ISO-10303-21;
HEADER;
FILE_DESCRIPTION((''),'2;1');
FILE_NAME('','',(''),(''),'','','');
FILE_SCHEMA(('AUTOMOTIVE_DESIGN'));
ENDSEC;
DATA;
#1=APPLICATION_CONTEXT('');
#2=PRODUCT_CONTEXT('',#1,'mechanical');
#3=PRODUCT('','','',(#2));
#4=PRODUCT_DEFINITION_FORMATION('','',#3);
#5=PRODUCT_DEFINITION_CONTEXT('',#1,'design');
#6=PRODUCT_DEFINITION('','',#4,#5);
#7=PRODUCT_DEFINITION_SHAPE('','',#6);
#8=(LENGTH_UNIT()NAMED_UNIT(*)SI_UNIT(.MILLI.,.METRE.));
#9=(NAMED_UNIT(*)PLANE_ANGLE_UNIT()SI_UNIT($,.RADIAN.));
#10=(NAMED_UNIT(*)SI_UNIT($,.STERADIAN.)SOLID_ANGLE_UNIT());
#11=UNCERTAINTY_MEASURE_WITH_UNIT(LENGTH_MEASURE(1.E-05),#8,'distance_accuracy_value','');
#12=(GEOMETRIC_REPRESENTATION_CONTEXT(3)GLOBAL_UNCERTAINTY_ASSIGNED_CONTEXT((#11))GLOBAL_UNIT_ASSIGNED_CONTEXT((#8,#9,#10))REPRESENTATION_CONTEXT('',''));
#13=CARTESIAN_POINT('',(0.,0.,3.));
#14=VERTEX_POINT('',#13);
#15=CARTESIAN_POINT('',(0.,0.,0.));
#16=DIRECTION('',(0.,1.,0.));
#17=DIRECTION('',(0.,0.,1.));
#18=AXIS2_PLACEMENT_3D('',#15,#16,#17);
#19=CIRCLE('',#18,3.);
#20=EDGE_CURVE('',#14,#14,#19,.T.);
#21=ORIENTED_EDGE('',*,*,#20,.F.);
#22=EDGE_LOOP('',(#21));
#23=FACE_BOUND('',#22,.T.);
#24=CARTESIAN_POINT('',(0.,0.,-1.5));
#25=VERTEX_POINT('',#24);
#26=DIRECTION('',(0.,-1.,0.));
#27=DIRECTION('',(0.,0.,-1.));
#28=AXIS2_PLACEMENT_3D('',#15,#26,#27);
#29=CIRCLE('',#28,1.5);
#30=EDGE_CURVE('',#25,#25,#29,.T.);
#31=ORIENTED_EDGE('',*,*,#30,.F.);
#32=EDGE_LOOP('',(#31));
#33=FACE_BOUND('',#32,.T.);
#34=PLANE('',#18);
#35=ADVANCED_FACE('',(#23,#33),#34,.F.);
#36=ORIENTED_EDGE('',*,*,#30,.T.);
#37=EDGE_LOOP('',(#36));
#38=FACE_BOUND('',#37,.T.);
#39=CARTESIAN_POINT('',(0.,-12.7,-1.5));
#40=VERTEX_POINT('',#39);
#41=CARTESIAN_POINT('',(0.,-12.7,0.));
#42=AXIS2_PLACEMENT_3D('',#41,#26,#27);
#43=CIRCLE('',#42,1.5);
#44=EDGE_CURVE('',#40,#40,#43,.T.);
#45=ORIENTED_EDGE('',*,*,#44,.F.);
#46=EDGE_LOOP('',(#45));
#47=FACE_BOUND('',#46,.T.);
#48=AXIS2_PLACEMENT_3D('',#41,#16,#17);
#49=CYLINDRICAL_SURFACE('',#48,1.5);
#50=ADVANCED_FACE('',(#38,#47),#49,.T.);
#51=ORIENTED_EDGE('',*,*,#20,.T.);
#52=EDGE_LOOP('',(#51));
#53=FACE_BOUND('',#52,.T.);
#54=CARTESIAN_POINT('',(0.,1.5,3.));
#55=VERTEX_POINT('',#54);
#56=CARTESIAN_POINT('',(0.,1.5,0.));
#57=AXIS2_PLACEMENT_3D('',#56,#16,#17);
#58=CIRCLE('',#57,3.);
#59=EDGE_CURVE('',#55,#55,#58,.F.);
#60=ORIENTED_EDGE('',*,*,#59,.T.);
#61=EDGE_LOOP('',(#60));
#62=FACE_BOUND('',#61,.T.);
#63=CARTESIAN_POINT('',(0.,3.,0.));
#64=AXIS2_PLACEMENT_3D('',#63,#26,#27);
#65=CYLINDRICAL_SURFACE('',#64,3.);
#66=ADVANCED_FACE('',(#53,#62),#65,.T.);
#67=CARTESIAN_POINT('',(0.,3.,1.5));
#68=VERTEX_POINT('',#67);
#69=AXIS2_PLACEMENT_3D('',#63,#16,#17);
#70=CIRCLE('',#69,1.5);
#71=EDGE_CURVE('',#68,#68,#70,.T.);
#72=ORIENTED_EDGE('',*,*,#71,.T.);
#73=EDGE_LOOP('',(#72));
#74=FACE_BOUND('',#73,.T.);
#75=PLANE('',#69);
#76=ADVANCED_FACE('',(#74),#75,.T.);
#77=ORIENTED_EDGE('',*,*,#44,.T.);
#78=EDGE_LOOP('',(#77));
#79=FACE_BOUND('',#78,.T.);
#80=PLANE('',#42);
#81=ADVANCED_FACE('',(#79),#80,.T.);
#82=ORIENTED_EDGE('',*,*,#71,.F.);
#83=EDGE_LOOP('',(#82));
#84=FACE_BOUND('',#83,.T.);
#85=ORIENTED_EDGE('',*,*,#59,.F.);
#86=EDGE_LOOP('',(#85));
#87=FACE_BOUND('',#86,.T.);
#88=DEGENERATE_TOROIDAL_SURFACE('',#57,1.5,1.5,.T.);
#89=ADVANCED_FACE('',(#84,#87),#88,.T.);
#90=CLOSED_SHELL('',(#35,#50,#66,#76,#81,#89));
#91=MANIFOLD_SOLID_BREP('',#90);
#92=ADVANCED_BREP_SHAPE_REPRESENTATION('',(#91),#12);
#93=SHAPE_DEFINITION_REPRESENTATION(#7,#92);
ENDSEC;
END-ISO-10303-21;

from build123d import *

# Parameters (mm, degrees)
SKETCH1_R           = 3
BOSS_EXTRUDE1_DEPTH = 3
FILLET1_R           = 1.5
SKETCH2_R           = 1.5
BOSS_EXTRUDE2_DEPTH = 12.7


with BuildPart() as part:
    # Sketch1 → Boss-Extrude1 (new body)
    with BuildSketch(Plane(origin=(0, 0, 0), x_dir=(1, 0, 0), z_dir=(0, 1, 0))):
        Circle(SKETCH1_R)
    extrude(amount=BOSS_EXTRUDE1_DEPTH)

    # Fillet1
    fillet1_edges = [part.edges().sort_by_distance(p)[0] for p in [
        (-3, 3, 0),
    ]]
    fillet(fillet1_edges, radius=FILLET1_R)

    # Sketch2 → Boss-Extrude2 (add)
    with BuildSketch(Plane.XZ):
        Circle(SKETCH2_R)
    extrude(amount=BOSS_EXTRUDE2_DEPTH)


solid = part.part
